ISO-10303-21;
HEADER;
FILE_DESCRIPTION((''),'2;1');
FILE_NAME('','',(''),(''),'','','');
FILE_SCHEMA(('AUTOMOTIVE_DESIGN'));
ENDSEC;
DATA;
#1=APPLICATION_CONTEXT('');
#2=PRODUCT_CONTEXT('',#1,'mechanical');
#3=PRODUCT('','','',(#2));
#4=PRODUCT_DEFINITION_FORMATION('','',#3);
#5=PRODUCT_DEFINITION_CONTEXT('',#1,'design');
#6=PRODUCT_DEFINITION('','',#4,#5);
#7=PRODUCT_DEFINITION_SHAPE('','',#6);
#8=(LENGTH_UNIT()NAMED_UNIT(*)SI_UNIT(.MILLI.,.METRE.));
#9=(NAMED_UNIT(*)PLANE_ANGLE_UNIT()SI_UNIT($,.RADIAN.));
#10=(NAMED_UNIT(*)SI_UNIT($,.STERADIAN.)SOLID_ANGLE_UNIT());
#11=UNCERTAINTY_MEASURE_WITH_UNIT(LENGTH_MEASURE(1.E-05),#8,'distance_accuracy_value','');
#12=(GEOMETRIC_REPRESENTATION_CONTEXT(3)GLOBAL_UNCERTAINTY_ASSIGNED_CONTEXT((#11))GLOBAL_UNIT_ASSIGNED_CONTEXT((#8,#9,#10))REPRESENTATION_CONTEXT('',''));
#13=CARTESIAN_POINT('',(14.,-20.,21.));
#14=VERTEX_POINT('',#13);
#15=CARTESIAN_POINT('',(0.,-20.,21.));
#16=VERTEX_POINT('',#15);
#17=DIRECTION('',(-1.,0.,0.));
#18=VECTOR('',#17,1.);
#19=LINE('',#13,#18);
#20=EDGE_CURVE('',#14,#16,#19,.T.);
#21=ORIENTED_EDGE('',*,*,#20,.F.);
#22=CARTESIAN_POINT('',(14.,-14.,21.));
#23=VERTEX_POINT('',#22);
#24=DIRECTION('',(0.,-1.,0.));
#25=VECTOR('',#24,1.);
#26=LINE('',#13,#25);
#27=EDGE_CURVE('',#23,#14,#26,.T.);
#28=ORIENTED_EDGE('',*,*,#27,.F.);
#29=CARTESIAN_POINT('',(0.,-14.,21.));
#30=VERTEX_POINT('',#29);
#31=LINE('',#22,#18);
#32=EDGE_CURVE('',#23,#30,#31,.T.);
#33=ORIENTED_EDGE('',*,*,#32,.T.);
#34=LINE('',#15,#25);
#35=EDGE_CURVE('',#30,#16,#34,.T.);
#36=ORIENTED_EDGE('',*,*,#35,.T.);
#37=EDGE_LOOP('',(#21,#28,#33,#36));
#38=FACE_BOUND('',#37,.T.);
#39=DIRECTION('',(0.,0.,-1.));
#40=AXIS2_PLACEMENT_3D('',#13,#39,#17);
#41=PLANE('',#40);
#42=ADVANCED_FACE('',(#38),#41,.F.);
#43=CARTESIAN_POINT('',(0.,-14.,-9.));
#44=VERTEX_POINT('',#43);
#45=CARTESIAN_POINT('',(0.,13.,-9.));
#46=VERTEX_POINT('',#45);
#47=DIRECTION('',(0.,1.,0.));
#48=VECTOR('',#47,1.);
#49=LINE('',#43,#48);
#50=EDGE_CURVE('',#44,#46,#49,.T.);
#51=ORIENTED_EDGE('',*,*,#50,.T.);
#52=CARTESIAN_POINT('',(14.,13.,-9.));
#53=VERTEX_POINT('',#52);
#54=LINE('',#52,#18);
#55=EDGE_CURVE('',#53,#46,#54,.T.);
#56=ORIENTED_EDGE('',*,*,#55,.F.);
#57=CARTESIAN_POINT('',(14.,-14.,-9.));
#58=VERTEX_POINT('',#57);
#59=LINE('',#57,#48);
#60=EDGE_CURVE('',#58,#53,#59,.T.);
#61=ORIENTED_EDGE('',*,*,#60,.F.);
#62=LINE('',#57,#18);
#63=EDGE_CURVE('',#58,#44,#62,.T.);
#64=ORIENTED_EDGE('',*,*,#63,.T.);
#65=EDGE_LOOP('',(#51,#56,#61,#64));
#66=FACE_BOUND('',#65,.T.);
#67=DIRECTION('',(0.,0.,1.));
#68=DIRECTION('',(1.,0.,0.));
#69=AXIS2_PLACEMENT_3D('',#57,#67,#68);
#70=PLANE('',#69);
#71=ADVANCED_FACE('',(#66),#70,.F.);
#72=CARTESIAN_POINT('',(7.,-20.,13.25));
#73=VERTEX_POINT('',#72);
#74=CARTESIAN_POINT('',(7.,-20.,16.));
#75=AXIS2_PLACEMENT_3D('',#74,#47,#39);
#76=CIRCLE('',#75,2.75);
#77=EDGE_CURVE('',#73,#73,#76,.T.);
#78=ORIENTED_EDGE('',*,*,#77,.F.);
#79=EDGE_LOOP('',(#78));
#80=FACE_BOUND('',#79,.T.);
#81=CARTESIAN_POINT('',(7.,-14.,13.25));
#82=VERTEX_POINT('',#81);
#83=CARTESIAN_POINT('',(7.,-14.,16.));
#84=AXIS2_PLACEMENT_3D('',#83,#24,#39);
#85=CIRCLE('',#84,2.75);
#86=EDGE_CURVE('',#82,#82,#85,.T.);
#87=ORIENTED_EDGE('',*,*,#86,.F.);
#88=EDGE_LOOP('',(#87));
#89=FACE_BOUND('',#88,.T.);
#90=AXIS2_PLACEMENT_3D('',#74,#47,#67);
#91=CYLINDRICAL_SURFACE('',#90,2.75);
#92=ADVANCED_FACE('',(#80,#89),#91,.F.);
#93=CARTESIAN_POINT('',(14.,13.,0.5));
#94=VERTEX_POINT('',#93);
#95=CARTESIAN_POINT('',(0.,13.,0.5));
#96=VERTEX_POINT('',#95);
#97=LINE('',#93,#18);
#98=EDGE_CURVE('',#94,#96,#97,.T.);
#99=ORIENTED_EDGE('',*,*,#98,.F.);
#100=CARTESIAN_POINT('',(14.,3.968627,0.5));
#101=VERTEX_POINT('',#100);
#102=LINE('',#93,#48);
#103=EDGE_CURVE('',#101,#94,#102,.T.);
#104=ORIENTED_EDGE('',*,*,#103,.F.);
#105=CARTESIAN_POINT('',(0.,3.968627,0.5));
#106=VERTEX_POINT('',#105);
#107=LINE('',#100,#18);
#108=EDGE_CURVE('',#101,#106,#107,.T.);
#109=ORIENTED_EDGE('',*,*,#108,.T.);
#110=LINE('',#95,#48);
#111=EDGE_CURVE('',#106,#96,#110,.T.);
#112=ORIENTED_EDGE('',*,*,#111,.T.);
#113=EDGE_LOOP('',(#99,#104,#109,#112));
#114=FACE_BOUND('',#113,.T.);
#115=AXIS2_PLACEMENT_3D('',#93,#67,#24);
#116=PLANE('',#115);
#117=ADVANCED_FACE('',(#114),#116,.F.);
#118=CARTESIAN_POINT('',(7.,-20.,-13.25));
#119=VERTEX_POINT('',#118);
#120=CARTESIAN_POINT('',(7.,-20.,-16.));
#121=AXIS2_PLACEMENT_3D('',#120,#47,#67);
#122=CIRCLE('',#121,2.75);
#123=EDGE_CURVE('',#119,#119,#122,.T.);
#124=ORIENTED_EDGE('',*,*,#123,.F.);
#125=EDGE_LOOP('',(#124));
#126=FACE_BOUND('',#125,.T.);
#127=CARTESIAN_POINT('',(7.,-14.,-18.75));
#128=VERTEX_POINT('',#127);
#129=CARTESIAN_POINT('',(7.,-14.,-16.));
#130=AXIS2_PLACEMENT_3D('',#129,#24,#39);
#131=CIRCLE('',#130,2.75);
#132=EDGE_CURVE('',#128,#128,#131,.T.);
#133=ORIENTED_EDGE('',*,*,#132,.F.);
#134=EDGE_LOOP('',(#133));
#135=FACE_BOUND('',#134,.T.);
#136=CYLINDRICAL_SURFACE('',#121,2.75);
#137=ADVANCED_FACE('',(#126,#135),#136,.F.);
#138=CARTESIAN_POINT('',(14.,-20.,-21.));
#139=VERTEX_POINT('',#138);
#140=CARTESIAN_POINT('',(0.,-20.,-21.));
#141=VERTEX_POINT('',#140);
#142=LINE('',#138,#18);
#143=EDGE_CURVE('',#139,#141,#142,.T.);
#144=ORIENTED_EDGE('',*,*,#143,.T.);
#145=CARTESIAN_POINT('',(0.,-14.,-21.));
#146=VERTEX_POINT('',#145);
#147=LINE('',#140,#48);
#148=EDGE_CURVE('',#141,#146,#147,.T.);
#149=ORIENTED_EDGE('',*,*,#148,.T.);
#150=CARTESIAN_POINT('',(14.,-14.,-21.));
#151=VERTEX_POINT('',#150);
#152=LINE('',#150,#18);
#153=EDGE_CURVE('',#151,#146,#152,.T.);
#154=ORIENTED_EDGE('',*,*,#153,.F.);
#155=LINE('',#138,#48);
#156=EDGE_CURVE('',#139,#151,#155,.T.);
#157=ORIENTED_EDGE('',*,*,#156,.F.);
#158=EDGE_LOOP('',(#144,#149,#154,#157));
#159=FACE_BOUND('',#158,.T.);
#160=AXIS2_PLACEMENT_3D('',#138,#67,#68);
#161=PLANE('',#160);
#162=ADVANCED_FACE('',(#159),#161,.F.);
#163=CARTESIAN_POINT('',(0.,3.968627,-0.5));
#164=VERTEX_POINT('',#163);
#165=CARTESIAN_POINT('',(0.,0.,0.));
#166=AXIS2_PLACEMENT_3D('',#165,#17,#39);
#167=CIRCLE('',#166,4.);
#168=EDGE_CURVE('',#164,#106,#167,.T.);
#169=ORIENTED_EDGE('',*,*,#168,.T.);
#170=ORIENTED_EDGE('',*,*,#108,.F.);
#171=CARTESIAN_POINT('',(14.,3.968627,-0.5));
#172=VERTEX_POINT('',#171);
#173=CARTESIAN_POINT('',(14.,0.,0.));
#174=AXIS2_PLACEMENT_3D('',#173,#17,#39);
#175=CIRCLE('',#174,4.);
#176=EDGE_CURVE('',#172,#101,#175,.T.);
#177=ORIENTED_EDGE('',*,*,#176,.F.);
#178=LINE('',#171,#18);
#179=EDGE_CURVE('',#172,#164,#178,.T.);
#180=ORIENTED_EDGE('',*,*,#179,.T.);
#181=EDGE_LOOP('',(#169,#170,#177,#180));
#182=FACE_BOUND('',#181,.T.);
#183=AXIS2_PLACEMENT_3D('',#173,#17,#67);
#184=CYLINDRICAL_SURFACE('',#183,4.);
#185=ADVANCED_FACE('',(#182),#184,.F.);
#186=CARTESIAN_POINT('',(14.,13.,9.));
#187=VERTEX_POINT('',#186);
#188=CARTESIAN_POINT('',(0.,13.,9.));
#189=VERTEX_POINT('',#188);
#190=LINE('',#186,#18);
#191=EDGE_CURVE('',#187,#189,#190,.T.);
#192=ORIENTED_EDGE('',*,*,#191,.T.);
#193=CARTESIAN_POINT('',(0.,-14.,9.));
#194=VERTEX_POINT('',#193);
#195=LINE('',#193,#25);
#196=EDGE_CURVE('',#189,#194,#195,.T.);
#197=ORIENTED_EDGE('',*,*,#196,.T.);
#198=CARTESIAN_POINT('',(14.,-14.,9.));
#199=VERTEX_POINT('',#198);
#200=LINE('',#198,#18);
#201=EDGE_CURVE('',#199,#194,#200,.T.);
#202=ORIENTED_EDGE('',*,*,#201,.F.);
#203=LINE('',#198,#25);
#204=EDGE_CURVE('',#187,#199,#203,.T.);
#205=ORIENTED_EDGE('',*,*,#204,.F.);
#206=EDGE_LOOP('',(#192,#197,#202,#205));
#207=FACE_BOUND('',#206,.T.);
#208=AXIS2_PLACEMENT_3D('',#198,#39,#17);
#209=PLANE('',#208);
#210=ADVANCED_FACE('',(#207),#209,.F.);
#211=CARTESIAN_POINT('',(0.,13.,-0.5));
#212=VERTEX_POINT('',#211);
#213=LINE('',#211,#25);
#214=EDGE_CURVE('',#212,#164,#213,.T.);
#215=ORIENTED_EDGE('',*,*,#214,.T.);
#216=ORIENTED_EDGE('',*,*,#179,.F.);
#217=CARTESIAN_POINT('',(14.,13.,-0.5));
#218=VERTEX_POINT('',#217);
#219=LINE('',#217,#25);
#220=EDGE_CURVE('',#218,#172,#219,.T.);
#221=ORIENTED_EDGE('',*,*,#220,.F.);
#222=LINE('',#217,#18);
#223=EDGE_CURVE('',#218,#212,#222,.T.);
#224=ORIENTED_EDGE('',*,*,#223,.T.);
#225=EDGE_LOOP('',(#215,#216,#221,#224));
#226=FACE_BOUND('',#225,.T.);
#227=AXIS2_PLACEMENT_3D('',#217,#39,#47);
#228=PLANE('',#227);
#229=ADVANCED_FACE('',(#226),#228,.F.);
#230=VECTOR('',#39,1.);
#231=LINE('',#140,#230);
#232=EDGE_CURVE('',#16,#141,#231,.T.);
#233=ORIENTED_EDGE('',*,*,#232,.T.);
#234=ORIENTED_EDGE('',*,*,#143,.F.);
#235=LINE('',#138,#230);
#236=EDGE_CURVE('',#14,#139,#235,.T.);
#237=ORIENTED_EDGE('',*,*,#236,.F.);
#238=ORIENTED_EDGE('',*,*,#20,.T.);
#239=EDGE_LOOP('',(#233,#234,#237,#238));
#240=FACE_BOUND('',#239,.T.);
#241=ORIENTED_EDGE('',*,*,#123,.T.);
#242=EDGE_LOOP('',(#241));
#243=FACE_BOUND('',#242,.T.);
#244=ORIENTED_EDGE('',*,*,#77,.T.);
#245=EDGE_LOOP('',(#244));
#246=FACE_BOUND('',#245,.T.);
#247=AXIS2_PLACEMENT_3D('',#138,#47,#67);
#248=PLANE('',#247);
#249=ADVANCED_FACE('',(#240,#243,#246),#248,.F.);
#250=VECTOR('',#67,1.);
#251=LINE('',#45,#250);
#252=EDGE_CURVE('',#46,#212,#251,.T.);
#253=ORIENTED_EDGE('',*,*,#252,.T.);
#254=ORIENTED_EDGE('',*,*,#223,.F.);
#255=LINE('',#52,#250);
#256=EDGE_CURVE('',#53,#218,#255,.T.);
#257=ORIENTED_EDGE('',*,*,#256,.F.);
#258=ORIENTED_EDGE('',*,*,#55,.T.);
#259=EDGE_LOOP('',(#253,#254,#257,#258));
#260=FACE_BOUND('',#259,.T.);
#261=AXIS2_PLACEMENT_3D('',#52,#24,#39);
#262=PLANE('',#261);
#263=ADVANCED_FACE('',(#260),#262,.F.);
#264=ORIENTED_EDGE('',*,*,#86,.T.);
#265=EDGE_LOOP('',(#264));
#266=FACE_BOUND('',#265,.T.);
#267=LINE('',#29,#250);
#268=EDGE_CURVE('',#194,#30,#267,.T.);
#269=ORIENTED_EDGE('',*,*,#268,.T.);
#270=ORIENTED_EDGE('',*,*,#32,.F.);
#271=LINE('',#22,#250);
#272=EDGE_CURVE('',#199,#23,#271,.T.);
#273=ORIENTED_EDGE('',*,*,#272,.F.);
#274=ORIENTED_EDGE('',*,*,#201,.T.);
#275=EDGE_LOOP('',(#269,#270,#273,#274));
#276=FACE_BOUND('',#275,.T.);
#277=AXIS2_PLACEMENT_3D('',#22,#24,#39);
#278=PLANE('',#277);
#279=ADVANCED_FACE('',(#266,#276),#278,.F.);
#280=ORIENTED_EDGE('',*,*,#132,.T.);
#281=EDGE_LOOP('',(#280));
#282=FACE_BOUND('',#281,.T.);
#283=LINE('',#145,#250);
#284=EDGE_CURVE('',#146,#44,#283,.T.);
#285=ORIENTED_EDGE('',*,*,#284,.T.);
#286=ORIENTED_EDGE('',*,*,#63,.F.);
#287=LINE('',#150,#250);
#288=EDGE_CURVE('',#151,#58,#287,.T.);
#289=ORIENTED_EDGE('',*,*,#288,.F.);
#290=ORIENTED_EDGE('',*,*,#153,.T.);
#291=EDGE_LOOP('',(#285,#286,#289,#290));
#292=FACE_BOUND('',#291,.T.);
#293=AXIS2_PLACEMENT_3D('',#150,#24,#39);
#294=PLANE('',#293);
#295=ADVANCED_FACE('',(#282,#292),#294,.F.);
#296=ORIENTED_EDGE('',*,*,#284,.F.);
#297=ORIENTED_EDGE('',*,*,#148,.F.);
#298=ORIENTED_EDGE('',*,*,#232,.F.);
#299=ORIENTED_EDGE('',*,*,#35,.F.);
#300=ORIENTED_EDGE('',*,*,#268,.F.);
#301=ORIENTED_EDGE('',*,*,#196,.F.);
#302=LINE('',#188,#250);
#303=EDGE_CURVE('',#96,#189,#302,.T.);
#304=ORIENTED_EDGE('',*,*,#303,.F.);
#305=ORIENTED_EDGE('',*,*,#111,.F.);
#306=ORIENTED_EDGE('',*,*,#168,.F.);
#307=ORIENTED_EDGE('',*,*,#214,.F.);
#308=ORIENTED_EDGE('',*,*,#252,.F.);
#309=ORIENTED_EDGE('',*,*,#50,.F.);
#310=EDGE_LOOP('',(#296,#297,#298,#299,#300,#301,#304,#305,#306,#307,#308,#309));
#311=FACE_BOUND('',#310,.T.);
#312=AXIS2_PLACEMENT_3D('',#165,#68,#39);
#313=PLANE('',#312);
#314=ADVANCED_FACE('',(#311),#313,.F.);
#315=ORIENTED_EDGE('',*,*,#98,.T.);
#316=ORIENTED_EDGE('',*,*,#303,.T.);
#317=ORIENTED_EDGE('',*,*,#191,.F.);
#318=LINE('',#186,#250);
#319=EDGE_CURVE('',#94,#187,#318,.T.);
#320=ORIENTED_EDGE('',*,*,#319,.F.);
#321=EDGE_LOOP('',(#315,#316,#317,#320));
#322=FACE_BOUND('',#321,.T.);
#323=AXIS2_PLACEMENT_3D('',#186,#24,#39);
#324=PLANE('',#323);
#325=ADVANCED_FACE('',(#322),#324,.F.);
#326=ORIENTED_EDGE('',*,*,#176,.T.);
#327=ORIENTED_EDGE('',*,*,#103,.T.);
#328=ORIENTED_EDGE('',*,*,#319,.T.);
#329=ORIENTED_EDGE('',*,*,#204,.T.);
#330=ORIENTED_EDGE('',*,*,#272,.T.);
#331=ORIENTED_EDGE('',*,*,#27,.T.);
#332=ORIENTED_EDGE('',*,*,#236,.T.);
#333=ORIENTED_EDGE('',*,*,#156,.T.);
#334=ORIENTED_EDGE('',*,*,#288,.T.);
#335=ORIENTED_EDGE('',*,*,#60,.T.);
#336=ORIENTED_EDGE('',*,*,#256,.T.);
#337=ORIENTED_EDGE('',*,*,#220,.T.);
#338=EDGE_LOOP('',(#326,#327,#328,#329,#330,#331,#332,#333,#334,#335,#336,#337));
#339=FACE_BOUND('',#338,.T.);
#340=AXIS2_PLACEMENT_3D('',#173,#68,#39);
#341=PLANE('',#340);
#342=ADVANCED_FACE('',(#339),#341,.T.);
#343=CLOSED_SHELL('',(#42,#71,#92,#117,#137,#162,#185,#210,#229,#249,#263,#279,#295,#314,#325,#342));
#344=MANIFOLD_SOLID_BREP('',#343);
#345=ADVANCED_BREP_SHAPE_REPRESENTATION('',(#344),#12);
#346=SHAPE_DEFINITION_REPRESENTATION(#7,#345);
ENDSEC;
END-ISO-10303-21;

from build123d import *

# Parameters (mm, degrees)
BOSS_EXTRUDE1_DEPTH     = 14
CUT_EXTRUDE1_DEPTH      = 37.959437225
CUT_EXTRUDE1_DEPTH_BACK = 37.959437225
SKETCH2_R               = 2.75


with BuildPart() as part:
    # Sketch1 → Boss-Extrude1 (new body)
    with BuildSketch(Plane(origin=(0, 0, 0), x_dir=(0, 0, -1), z_dir=(1, 0, 0))):
        with BuildLine():
            Line((21, -20), (-21, -20))
            Line((-21, -20), (-21, -14))
            Line((-21, -14), (-9, -14))
            Line((-9, -14), (-9, 13))
            Line((-9, 13), (-0.5, 13))
            Line((-0.5, 13), (-0.5, 3.968626967))
            ThreePointArc((-0.5, 3.968626967), (0, -4), (0.5, 3.968626967))
            Line((0.5, 3.968626967), (0.5, 13))
            Line((0.5, 13), (9, 13))
            Line((9, 13), (9, -14))
            Line((9, -14), (21, -14))
            Line((21, -14), (21, -20))
        make_face()
    extrude(amount=BOSS_EXTRUDE1_DEPTH)

    # Sketch2 → Cut-Extrude1 (cut, two sides: drawn at the far end of the back side and taken through both)
    with BuildSketch(Plane(origin=(0, -14, 0), x_dir=(1, 0, 0), z_dir=(0, 1, 0)).offset(-CUT_EXTRUDE1_DEPTH_BACK)):
        with Locations(Location((7, 16, 0), (0, 0, 270))):
            Circle(SKETCH2_R)
        with Locations(Location((7, -16, 0), (0, 0, 90))):
            Circle(SKETCH2_R)
    extrude(amount=CUT_EXTRUDE1_DEPTH + CUT_EXTRUDE1_DEPTH_BACK, mode=Mode.SUBTRACT)


solid = part.part
